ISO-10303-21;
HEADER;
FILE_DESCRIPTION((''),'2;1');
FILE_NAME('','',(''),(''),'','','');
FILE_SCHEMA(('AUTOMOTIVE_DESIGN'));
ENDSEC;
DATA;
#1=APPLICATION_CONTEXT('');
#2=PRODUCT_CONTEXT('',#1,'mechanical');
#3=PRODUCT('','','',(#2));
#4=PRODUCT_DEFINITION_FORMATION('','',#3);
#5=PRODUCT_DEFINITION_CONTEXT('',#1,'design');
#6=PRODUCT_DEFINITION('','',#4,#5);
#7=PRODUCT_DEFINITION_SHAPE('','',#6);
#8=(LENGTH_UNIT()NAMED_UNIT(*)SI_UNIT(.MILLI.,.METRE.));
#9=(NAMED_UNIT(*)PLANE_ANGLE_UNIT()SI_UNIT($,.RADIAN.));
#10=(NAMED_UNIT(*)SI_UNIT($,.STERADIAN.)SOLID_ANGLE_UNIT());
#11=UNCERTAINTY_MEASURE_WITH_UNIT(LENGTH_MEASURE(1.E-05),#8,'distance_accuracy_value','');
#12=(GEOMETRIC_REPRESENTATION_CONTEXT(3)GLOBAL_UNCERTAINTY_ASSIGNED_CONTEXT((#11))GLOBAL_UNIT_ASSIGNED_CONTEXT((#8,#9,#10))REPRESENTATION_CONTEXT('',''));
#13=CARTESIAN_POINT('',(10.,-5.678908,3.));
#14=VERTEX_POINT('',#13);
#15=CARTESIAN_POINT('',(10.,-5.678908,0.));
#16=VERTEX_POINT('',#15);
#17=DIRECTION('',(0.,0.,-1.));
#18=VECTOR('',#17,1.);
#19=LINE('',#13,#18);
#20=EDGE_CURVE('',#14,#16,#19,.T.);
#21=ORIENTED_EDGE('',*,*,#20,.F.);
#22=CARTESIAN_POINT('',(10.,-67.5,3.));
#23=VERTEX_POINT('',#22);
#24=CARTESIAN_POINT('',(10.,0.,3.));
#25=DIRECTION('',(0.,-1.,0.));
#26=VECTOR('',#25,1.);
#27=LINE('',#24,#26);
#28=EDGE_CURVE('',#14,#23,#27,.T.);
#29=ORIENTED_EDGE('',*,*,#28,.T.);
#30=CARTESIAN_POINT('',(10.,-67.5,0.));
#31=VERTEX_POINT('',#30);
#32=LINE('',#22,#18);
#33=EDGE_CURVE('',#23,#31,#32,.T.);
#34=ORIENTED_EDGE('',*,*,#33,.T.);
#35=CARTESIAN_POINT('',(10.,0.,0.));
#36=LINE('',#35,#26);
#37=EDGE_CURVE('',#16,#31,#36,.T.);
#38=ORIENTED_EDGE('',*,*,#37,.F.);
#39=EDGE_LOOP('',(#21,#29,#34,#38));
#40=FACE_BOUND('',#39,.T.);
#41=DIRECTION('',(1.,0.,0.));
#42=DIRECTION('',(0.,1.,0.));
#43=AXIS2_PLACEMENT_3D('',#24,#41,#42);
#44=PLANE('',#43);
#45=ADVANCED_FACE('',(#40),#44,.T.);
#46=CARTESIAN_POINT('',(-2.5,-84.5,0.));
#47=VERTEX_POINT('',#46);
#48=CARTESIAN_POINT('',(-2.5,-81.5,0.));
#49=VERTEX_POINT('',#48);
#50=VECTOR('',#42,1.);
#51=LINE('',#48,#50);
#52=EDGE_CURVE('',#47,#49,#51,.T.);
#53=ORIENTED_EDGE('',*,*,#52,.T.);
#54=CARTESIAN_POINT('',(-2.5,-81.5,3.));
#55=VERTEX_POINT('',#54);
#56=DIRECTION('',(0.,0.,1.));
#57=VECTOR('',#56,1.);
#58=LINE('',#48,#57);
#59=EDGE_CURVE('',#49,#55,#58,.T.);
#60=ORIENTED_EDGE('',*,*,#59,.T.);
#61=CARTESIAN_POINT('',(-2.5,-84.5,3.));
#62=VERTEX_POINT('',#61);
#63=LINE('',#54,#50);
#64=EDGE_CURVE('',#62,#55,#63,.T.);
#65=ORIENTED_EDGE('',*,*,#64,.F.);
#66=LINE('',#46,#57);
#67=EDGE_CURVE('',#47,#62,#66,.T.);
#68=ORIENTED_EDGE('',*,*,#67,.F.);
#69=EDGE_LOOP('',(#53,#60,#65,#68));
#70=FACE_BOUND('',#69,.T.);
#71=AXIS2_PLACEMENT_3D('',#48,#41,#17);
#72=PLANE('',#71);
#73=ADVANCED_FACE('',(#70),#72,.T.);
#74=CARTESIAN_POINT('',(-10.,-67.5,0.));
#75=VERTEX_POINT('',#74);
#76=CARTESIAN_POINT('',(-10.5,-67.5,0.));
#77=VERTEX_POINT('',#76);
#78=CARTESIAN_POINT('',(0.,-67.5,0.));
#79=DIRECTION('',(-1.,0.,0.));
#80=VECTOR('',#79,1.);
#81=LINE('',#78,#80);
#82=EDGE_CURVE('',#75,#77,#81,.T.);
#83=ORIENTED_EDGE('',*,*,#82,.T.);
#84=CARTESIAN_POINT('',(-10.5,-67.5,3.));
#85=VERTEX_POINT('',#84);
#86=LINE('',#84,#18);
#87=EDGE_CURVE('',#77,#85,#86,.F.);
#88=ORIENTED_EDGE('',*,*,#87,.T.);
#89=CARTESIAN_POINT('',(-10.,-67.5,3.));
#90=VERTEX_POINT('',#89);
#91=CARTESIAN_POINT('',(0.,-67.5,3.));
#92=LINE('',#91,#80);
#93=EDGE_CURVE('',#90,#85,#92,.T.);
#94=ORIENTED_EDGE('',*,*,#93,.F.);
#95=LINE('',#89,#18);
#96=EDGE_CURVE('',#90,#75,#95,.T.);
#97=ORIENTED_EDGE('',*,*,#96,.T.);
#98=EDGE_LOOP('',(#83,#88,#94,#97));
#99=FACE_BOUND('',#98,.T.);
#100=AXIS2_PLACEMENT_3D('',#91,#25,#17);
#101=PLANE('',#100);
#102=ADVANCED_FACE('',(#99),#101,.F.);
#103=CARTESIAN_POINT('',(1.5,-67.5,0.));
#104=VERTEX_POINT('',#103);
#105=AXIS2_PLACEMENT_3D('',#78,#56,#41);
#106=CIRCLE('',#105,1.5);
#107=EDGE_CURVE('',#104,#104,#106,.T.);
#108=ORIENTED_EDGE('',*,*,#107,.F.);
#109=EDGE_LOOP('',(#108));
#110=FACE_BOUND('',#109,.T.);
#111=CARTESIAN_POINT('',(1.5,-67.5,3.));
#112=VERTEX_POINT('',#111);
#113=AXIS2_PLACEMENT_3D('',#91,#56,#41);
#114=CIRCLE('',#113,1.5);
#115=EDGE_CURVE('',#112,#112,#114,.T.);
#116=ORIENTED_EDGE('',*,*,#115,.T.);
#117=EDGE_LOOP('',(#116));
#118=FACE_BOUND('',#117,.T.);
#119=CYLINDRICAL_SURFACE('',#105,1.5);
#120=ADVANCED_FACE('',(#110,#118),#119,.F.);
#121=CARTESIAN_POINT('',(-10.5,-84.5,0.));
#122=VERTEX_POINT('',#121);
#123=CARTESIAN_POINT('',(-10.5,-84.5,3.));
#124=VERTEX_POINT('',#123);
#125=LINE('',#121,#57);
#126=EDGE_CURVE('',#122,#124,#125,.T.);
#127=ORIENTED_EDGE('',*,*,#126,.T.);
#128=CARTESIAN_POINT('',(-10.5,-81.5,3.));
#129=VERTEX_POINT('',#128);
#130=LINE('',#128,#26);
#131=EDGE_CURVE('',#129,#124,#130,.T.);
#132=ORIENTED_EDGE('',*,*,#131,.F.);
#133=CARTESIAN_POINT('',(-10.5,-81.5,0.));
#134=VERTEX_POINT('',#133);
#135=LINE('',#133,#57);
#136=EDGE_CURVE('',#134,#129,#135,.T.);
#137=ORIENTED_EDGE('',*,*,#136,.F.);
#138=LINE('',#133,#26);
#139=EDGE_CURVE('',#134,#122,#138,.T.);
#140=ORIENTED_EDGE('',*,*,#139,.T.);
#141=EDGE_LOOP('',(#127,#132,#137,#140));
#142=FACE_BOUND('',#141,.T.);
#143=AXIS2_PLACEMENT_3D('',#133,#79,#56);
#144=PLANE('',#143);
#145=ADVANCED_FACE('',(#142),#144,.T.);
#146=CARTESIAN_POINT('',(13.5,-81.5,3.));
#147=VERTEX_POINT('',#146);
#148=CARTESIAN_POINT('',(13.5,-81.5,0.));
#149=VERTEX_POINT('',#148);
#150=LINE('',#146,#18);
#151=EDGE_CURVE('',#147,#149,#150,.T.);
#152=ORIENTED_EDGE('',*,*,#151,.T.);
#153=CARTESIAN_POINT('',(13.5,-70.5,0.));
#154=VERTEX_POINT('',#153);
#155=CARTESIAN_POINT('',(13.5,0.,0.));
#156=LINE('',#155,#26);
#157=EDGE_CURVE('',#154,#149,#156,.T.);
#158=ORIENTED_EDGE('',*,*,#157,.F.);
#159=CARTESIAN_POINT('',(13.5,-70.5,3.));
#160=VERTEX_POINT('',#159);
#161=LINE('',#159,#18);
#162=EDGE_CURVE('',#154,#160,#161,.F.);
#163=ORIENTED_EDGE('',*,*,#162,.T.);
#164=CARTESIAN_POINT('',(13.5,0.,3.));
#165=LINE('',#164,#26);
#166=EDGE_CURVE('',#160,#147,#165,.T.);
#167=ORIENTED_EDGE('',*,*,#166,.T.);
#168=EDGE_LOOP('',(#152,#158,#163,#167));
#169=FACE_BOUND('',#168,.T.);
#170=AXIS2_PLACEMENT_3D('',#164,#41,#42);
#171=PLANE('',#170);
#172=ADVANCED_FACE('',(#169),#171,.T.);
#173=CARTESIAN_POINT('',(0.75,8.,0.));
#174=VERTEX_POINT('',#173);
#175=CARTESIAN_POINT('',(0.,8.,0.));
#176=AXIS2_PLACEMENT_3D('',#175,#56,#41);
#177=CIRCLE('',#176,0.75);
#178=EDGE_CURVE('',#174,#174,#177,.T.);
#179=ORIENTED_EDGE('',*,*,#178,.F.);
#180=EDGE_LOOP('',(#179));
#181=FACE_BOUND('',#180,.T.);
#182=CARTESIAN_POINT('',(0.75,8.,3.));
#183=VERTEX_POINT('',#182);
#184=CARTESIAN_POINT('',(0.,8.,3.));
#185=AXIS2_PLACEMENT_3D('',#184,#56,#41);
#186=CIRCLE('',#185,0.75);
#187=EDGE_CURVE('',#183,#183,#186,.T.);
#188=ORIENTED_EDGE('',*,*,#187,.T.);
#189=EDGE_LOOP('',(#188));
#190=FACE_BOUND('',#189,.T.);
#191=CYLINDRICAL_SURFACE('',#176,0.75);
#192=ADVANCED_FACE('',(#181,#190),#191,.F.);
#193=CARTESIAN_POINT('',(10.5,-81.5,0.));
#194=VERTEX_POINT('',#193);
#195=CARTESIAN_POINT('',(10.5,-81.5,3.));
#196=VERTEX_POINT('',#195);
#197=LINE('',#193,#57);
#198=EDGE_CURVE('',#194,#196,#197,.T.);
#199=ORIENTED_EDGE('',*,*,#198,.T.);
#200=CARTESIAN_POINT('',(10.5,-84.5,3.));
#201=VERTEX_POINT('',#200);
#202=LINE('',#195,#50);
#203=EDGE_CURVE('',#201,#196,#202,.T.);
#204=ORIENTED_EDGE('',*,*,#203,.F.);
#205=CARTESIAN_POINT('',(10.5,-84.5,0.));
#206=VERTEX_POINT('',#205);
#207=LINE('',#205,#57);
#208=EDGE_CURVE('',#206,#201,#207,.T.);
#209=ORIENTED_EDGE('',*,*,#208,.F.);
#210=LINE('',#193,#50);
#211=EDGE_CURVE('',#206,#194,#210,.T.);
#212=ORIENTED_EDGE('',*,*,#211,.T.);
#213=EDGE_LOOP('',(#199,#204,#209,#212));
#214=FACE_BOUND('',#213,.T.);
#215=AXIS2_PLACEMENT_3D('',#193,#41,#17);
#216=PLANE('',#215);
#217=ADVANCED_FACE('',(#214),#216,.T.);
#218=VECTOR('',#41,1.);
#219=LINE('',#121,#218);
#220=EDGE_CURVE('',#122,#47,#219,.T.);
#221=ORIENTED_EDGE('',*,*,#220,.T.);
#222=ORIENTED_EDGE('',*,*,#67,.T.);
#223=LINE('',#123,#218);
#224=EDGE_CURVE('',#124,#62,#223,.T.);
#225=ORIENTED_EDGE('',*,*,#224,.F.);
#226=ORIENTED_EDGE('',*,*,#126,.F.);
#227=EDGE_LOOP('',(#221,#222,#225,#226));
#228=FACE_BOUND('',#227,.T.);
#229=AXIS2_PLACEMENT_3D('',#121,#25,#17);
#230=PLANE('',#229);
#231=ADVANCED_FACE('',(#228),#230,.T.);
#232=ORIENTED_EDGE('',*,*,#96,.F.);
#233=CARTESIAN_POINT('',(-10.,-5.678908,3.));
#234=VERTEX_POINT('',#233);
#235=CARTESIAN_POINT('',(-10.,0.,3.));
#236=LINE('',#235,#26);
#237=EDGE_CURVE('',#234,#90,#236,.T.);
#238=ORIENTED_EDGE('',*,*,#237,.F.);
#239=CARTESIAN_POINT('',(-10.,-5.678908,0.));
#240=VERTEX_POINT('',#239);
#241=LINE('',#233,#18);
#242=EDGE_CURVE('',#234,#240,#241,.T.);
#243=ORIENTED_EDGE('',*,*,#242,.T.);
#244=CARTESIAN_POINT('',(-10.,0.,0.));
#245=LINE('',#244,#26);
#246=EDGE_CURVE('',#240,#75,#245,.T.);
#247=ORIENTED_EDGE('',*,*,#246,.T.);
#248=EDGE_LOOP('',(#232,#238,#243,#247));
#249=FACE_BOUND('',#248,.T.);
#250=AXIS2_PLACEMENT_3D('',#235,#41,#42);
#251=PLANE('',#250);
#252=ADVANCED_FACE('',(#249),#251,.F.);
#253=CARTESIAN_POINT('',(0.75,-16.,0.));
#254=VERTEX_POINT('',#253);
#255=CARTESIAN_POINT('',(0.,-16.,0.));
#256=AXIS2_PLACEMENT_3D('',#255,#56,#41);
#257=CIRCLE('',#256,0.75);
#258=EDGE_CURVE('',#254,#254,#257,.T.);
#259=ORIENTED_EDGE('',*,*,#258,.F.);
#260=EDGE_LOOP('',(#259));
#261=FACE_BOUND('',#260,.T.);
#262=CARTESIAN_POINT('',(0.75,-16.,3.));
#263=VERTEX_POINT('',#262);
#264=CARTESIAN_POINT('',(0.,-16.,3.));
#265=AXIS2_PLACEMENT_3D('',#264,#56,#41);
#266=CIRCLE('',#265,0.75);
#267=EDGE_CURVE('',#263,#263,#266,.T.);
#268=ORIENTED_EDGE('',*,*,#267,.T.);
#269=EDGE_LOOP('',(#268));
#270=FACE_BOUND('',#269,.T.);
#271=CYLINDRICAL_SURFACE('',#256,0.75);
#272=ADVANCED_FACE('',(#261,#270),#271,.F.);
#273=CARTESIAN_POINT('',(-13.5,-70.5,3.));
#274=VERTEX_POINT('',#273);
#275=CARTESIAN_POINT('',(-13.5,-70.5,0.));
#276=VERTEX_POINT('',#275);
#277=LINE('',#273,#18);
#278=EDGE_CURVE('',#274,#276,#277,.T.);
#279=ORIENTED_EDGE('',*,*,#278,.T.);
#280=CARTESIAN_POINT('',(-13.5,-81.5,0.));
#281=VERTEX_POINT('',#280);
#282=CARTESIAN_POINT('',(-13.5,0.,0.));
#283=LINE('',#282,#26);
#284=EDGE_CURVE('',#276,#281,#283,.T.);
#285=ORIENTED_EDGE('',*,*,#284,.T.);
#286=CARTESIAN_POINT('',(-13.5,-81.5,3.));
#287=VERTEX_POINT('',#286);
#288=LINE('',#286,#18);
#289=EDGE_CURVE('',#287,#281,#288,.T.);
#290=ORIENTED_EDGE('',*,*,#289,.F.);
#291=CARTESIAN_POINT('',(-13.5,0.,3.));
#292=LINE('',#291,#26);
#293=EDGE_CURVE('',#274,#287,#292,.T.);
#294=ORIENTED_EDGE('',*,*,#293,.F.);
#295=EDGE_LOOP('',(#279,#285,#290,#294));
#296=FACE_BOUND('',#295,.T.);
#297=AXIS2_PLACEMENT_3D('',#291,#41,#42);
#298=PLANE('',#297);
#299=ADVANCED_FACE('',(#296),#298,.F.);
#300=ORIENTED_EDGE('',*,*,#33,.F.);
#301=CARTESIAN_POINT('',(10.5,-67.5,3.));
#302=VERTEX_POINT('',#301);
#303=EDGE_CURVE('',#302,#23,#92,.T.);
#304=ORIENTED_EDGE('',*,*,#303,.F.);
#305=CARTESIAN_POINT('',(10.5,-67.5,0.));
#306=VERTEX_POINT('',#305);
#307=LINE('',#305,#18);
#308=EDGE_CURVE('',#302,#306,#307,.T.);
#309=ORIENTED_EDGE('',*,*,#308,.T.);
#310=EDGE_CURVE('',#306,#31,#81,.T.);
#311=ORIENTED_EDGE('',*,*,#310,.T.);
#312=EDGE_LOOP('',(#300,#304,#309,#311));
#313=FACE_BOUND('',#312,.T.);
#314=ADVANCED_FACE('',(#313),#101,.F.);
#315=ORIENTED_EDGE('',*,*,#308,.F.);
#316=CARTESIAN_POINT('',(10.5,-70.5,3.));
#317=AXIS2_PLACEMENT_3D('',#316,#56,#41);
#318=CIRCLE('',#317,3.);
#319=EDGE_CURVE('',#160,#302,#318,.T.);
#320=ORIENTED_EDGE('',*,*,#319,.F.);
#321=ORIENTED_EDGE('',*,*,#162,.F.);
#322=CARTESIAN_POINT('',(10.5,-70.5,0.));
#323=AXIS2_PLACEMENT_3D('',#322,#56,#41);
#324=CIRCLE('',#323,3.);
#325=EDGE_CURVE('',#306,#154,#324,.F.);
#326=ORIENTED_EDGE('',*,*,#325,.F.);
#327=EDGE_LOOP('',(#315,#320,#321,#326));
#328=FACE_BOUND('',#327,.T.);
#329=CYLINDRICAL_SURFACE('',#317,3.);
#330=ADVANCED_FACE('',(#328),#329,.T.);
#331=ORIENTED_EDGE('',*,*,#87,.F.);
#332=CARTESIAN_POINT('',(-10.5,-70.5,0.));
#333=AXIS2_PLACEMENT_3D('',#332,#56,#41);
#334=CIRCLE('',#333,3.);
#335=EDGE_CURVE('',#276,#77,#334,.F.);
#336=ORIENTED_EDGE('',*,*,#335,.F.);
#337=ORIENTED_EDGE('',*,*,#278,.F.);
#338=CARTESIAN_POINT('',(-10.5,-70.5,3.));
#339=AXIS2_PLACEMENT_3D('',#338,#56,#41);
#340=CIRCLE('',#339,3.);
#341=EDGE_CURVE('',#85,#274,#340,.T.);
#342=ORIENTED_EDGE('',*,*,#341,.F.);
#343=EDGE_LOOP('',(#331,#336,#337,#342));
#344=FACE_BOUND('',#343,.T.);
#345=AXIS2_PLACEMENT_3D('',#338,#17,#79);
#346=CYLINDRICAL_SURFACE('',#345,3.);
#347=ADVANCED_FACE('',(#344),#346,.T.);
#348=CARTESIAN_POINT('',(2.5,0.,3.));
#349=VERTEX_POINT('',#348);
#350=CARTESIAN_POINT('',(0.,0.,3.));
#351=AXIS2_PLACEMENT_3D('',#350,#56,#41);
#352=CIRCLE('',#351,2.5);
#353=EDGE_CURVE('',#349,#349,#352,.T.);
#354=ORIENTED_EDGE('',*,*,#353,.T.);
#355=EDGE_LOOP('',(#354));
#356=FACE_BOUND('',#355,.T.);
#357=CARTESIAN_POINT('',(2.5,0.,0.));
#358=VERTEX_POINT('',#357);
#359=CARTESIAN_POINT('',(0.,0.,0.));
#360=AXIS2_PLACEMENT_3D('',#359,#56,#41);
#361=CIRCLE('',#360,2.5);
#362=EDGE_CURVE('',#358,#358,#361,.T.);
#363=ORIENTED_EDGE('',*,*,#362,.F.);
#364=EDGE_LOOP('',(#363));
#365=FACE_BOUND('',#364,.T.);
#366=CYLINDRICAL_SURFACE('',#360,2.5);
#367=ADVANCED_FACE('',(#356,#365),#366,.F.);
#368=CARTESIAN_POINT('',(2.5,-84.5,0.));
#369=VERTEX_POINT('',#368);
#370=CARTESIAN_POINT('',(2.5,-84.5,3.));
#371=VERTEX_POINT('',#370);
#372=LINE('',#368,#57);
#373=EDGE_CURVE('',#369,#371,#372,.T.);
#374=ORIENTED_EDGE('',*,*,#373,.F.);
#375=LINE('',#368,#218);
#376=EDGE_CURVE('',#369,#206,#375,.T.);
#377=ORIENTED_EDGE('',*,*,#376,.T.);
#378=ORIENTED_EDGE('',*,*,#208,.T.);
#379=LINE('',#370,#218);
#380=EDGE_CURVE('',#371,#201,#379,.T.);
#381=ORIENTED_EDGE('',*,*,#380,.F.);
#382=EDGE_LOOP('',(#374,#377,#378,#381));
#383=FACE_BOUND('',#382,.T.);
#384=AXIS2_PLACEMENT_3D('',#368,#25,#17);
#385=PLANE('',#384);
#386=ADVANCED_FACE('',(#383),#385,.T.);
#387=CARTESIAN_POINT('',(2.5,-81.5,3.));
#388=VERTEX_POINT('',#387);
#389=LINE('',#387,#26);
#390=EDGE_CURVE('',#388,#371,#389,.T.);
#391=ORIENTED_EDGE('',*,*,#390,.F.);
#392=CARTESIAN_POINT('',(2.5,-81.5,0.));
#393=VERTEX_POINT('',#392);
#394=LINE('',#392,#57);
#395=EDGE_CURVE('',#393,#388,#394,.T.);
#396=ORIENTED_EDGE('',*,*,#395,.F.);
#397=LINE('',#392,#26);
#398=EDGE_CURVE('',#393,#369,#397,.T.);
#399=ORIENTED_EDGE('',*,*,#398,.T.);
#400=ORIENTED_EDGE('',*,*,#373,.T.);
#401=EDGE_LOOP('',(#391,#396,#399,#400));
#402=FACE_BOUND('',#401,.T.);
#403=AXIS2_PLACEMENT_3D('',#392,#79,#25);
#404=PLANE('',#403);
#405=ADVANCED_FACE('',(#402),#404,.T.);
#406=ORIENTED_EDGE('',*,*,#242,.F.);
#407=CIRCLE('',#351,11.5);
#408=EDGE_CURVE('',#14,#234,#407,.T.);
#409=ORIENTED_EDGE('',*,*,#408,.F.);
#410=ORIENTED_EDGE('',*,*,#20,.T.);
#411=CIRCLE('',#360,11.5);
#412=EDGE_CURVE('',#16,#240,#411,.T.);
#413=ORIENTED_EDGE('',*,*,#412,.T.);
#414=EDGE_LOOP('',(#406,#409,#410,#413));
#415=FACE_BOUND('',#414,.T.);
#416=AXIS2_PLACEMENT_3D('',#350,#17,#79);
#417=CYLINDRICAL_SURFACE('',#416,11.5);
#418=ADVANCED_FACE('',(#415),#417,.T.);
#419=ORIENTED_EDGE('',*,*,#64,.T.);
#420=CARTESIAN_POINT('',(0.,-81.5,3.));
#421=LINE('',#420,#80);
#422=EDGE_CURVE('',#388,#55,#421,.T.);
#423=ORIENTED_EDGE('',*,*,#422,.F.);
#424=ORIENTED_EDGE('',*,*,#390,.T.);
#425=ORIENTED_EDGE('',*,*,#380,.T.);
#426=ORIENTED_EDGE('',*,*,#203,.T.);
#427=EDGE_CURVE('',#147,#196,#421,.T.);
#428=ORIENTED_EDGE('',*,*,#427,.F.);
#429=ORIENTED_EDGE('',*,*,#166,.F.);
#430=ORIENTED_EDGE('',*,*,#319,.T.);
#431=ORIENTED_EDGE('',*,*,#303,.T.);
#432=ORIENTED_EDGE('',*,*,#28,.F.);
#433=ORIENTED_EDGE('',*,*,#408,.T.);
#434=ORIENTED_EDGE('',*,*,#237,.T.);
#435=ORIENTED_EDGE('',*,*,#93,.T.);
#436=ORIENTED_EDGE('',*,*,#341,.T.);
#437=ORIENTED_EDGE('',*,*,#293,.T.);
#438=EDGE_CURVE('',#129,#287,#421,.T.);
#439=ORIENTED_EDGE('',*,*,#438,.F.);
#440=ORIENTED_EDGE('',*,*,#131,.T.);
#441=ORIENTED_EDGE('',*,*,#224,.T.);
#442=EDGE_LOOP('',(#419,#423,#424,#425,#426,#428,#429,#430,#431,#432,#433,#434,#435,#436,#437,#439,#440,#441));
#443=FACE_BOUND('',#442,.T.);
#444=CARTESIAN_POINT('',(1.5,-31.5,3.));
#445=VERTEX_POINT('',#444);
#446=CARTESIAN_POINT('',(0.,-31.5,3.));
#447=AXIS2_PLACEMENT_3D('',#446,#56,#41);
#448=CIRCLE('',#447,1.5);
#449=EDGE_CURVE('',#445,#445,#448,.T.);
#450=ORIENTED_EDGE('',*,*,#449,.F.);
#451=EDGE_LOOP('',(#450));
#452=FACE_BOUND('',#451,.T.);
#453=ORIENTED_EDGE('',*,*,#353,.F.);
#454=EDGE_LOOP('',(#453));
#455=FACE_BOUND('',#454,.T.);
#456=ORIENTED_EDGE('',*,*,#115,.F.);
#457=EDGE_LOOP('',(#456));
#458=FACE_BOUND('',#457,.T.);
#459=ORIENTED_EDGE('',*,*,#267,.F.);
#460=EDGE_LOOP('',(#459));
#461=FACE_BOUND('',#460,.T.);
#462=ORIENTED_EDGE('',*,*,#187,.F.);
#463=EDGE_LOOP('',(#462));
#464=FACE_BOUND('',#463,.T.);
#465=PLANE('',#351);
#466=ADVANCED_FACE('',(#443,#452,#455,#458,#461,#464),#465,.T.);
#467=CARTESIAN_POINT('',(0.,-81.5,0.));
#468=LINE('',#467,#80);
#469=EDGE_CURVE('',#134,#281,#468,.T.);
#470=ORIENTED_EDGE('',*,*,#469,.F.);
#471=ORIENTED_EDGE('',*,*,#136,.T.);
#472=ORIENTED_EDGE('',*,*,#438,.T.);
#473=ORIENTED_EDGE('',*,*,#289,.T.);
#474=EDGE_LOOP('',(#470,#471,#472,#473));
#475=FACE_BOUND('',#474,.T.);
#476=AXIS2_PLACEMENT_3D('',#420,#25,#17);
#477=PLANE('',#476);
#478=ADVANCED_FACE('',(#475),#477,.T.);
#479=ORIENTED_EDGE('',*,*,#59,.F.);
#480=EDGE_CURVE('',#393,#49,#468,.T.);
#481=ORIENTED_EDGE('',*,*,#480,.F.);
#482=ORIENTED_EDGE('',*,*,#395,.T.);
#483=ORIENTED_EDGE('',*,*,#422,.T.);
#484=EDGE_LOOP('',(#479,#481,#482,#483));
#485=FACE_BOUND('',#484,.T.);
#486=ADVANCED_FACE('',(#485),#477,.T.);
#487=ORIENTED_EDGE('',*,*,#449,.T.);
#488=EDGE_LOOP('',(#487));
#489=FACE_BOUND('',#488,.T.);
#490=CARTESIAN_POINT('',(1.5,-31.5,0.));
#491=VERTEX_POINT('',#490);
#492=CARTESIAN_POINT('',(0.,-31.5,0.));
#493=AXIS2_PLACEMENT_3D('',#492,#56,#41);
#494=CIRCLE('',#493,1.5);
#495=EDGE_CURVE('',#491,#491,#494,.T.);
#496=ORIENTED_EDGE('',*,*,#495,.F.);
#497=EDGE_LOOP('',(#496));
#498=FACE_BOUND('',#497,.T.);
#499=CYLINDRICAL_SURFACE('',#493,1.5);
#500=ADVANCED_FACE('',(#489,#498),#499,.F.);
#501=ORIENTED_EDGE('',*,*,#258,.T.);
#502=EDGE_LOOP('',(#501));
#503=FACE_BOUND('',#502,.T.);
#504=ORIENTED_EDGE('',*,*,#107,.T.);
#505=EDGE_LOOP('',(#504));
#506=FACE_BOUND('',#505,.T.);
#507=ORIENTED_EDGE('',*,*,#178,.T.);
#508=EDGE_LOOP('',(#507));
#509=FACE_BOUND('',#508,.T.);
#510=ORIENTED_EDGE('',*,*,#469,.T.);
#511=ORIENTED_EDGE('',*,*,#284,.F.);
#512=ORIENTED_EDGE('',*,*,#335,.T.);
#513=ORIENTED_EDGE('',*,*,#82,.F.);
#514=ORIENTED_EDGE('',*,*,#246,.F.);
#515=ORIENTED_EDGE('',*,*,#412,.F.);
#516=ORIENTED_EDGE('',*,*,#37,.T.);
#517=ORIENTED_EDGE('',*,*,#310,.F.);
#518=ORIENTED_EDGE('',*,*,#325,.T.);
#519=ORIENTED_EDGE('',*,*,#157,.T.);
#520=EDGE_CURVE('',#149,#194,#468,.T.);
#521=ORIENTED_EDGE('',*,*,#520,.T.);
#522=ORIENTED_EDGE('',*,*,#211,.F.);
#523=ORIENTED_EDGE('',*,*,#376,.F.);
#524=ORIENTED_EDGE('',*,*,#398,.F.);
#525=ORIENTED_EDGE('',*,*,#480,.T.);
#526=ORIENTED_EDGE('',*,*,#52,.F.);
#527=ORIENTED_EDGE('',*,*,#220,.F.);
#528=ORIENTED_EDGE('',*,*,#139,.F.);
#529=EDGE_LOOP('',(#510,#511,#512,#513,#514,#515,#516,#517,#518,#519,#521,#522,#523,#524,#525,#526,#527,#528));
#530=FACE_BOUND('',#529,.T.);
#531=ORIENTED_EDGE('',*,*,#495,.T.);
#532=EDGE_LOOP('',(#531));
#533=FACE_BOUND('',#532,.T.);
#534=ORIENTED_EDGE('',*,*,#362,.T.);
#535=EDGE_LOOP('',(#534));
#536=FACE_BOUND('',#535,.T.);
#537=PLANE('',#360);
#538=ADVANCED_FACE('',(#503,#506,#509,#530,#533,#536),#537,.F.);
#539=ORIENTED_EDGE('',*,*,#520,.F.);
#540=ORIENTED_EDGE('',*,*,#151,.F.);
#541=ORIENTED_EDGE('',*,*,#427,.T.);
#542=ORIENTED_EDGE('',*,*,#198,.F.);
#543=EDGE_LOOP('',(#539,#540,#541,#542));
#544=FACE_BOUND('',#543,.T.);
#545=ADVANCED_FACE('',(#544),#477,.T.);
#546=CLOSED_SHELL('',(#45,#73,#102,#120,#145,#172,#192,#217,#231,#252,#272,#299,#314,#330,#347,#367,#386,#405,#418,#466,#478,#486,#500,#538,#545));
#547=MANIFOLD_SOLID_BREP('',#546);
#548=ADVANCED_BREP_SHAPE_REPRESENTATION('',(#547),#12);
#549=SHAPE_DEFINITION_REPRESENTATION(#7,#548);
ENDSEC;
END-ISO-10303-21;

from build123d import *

# Parameters (mm, degrees)
CROQUIS1_R              = 11.5
CROQUIS1_W              = 20
CROQUIS1_H              = 67.5
CROQUIS1_W_2            = 27
CROQUIS1_H_2            = 14
SALIENTE_EXTRUIR1_DEPTH = 3
CROQUIS2_R              = 2.5
CROQUIS2_R_2            = 1.5
CORTAR_EXTRUIR1_DEPTH   = 4
REDONDEO1_R             = 3
CROQUIS3_R              = 0.75
CORTAR_EXTRUIR2_DEPTH   = 4
CROQUIS4_W              = 8
CROQUIS4_H              = 3
SALIENTE_EXTRUIR2_DEPTH = 3


with BuildPart() as part:
    # Croquis1 → Saliente-Extruir1 (new body)
    with BuildSketch(Plane.XY):
        Circle(CROQUIS1_R)
        with Locations((0, -33.75)):
            Rectangle(CROQUIS1_W, CROQUIS1_H)
        with Locations((0, -74.5)):
            Rectangle(CROQUIS1_W_2, CROQUIS1_H_2)
    extrude(amount=SALIENTE_EXTRUIR1_DEPTH)

    # Croquis2 → Cortar-Extruir1 (cut, through all)
    with BuildSketch(Plane.XY.offset(3)):
        Circle(CROQUIS2_R)
        with Locations((0, -31.5)):
            Circle(CROQUIS2_R_2)
        with Locations((0, -67.5)):
            Circle(CROQUIS2_R_2)
    extrude(amount=-CORTAR_EXTRUIR1_DEPTH, mode=Mode.SUBTRACT)

    # Redondeo1
    redondeo1_edges = [part.edges().sort_by_distance(p)[0] for p in [
        (13.5, -67.5, 1.5),
        (-13.5, -67.5, 1.5),
    ]]
    fillet(redondeo1_edges, radius=REDONDEO1_R)

    # Croquis3 → Cortar-Extruir2 (cut, through all)
    with BuildSketch(Plane.XY.offset(3)):
        with Locations((0, -16)):
            Circle(CROQUIS3_R)
        with Locations((0, 8)):
            Circle(CROQUIS3_R)
    extrude(amount=-CORTAR_EXTRUIR2_DEPTH, mode=Mode.SUBTRACT)

    # Croquis4 → Saliente-Extruir2 (add)
    with BuildSketch(Plane.XY.offset(3)):
        with Locations((-6.5, -83)):
            Rectangle(CROQUIS4_W, CROQUIS4_H)
        with Locations((6.5, -83)):
            Rectangle(CROQUIS4_W, CROQUIS4_H)
    extrude(amount=-SALIENTE_EXTRUIR2_DEPTH)


solid = part.part
